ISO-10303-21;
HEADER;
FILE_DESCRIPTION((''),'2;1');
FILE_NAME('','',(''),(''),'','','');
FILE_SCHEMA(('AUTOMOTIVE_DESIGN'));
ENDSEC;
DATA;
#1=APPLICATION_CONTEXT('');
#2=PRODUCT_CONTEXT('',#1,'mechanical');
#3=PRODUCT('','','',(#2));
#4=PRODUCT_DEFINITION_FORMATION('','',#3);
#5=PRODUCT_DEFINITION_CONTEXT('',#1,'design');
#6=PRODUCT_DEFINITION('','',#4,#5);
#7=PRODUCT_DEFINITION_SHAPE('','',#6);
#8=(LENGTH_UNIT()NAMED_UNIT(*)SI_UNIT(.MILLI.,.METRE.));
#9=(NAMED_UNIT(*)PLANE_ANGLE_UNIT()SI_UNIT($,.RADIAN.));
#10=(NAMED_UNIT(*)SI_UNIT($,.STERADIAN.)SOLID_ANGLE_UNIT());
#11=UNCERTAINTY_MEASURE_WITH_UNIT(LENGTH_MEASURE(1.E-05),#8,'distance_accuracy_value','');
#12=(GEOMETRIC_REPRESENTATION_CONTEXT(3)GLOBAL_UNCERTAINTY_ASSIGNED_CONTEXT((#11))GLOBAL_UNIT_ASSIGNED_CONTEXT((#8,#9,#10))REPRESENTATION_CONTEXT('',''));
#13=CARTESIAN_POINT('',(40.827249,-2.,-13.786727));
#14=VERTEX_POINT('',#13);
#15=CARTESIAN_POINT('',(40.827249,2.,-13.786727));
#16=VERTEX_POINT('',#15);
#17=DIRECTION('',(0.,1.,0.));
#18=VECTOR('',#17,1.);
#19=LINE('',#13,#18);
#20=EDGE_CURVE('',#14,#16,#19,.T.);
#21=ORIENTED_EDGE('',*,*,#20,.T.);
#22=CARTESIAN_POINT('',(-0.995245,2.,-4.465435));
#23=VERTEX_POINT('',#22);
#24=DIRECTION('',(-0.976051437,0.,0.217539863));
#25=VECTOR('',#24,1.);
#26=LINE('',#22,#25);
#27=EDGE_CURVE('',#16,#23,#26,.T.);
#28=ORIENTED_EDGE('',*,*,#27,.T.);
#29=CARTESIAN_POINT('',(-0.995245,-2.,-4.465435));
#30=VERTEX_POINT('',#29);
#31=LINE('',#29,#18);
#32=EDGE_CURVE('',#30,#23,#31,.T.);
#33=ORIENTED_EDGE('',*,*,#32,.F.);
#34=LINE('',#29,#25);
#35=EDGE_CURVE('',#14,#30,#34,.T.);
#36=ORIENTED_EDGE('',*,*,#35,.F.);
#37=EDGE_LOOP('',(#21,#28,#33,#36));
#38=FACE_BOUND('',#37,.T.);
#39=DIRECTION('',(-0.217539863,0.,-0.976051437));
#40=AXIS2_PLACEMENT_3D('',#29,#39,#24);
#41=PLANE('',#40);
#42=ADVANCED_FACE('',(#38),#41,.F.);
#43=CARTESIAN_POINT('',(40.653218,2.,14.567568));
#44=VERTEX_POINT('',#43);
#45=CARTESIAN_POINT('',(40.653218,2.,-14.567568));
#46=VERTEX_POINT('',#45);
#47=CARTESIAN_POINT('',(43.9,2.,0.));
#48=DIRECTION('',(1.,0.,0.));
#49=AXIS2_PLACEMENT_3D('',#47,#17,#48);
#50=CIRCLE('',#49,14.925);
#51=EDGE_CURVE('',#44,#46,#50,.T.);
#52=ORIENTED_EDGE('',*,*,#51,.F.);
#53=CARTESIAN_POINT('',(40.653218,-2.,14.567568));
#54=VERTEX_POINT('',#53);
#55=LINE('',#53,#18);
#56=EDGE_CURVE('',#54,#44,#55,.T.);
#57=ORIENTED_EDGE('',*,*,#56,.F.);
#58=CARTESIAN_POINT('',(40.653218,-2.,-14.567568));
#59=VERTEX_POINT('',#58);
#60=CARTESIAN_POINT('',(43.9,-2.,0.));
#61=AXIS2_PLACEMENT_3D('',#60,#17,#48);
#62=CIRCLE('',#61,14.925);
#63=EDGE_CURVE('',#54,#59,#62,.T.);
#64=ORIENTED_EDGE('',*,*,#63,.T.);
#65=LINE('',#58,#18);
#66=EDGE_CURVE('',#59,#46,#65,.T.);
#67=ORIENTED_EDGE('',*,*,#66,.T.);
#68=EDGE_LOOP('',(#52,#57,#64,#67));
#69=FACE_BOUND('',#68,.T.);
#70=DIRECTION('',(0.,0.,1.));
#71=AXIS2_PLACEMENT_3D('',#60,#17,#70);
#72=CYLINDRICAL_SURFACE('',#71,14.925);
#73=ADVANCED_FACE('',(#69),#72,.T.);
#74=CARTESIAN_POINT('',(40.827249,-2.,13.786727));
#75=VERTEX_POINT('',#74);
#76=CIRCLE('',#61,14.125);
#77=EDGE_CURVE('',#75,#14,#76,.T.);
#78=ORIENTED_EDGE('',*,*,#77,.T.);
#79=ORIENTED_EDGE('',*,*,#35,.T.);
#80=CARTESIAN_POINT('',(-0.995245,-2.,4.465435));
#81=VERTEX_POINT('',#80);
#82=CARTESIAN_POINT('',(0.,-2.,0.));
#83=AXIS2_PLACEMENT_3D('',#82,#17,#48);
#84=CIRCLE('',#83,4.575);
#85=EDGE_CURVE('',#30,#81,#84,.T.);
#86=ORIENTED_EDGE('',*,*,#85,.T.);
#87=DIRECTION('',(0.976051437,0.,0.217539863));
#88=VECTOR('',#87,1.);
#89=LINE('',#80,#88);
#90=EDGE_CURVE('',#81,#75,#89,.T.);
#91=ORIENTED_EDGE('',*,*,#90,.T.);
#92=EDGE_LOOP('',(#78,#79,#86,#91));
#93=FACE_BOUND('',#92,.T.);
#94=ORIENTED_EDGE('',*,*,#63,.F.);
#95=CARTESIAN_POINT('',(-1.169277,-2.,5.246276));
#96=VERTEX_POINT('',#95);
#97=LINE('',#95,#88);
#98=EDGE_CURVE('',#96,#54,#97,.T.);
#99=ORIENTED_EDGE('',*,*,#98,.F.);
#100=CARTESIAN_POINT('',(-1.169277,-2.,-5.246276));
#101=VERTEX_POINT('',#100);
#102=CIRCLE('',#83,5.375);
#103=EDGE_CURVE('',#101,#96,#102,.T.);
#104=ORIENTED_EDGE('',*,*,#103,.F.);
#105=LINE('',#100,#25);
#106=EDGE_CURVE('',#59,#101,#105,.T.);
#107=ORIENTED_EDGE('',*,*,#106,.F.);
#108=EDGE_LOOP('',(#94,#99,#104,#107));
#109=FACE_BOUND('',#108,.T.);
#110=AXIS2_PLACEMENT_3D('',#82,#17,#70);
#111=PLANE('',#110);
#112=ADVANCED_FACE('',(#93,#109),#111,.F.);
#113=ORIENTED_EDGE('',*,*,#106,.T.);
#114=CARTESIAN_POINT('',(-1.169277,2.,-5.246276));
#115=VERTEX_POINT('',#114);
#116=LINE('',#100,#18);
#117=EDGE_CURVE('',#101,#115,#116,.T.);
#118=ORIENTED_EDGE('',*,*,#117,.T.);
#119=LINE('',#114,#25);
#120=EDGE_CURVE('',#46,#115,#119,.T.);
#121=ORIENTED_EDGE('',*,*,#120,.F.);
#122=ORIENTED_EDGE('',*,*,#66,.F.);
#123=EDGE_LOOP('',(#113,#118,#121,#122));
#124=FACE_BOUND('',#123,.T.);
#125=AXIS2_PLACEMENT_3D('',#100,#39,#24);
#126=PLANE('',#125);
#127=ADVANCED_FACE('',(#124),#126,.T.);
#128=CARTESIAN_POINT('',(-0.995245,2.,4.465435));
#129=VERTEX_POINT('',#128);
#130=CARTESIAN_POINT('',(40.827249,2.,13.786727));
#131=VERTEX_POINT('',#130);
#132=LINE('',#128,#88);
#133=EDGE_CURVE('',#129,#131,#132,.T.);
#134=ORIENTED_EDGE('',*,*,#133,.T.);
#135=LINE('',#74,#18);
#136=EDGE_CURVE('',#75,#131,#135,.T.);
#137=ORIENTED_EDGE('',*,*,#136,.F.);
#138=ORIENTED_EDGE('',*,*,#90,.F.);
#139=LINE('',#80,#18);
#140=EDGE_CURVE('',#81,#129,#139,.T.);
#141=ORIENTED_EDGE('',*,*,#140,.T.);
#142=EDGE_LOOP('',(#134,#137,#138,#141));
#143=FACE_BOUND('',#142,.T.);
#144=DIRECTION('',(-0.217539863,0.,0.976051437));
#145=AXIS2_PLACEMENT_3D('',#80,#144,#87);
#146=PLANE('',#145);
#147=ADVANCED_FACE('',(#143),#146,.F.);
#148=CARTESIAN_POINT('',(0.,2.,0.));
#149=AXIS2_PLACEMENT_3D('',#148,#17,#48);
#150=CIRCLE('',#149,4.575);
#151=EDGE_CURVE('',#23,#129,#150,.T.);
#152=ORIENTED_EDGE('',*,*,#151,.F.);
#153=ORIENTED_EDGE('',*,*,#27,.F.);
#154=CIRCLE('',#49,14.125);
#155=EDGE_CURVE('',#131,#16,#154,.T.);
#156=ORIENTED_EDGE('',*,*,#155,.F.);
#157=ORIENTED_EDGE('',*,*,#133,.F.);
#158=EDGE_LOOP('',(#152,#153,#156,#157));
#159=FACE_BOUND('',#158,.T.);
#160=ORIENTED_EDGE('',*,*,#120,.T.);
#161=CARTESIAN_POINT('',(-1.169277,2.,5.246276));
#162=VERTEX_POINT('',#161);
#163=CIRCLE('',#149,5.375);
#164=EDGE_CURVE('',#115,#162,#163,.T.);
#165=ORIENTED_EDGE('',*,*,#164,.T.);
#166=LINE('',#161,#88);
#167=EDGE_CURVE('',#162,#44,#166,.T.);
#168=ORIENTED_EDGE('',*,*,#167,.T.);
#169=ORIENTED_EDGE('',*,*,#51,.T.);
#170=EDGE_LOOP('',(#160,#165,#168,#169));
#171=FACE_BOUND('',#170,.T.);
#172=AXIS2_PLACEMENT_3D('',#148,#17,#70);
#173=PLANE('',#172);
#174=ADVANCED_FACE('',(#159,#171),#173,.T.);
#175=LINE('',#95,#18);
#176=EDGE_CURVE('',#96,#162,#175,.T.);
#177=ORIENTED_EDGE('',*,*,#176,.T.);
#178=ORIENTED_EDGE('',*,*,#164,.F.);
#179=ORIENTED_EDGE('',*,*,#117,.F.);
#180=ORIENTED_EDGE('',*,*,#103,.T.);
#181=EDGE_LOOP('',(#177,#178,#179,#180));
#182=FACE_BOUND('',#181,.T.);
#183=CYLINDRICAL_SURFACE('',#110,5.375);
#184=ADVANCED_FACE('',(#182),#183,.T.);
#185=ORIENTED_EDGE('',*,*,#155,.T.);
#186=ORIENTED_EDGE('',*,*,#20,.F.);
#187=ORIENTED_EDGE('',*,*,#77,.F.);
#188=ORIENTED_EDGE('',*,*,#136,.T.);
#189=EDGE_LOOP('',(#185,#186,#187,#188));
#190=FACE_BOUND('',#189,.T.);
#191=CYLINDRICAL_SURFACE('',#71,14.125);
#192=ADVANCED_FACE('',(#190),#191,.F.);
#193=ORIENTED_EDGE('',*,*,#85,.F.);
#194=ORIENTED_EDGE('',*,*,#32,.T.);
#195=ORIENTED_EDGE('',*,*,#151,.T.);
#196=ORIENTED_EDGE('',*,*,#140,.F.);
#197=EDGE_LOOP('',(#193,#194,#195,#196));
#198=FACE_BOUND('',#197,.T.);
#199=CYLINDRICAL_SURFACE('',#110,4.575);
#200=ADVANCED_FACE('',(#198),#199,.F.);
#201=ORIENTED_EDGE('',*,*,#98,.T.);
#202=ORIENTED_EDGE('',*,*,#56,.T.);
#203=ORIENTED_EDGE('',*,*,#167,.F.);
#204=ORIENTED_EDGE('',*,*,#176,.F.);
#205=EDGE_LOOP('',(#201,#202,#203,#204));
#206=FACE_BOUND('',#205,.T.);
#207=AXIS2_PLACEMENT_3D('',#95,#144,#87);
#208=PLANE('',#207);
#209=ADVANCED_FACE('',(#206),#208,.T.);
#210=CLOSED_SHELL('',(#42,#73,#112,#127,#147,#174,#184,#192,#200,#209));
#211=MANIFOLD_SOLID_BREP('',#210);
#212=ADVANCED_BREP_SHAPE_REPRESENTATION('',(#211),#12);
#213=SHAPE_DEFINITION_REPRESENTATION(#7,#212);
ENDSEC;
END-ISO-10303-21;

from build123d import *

# Parameters (mm, degrees)
LINEAR_AUSTRAGEN_D_NN1_DEPTH      = 2
LINEAR_AUSTRAGEN_D_NN1_DEPTH_BACK = 2


with BuildPart() as part:
    # Skizze1 → Linear-Austragen-D_nn1 (new body, two sides)
    with BuildSketch(Plane(origin=(0, 0, 0), x_dir=(1, 0, 0), z_dir=(0, 1, 0))) as linear_austragen_d_nn1_sk:
        with BuildLine():
            Line((40.65321754, -14.567567699), (-1.169276765, -5.246276474))
            ThreePointArc((-1.169276765, -5.246276474), (-5.375, 0), (-1.169276765, 5.246276474))
            Line((-1.169276765, 5.246276474), (40.65321754, 14.567567699))
            ThreePointArc((40.65321754, 14.567567699), (58.825, 0), (40.65321754, -14.567567699))
        make_face()
        with BuildLine():
            Line((40.827249431, -13.786726549), (-0.995244875, -4.465435325))
            ThreePointArc((-0.995244875, -4.465435325), (-4.575, 0), (-0.995244875, 4.465435325))
            Line((-0.995244875, 4.465435325), (40.827249431, 13.786726549))
            ThreePointArc((40.827249431, 13.786726549), (58.025, 0), (40.827249431, -13.786726549))
        make_face(mode=Mode.SUBTRACT)
    extrude(amount=LINEAR_AUSTRAGEN_D_NN1_DEPTH)
    extrude(linear_austragen_d_nn1_sk.sketch, amount=-LINEAR_AUSTRAGEN_D_NN1_DEPTH_BACK)


solid = part.part
